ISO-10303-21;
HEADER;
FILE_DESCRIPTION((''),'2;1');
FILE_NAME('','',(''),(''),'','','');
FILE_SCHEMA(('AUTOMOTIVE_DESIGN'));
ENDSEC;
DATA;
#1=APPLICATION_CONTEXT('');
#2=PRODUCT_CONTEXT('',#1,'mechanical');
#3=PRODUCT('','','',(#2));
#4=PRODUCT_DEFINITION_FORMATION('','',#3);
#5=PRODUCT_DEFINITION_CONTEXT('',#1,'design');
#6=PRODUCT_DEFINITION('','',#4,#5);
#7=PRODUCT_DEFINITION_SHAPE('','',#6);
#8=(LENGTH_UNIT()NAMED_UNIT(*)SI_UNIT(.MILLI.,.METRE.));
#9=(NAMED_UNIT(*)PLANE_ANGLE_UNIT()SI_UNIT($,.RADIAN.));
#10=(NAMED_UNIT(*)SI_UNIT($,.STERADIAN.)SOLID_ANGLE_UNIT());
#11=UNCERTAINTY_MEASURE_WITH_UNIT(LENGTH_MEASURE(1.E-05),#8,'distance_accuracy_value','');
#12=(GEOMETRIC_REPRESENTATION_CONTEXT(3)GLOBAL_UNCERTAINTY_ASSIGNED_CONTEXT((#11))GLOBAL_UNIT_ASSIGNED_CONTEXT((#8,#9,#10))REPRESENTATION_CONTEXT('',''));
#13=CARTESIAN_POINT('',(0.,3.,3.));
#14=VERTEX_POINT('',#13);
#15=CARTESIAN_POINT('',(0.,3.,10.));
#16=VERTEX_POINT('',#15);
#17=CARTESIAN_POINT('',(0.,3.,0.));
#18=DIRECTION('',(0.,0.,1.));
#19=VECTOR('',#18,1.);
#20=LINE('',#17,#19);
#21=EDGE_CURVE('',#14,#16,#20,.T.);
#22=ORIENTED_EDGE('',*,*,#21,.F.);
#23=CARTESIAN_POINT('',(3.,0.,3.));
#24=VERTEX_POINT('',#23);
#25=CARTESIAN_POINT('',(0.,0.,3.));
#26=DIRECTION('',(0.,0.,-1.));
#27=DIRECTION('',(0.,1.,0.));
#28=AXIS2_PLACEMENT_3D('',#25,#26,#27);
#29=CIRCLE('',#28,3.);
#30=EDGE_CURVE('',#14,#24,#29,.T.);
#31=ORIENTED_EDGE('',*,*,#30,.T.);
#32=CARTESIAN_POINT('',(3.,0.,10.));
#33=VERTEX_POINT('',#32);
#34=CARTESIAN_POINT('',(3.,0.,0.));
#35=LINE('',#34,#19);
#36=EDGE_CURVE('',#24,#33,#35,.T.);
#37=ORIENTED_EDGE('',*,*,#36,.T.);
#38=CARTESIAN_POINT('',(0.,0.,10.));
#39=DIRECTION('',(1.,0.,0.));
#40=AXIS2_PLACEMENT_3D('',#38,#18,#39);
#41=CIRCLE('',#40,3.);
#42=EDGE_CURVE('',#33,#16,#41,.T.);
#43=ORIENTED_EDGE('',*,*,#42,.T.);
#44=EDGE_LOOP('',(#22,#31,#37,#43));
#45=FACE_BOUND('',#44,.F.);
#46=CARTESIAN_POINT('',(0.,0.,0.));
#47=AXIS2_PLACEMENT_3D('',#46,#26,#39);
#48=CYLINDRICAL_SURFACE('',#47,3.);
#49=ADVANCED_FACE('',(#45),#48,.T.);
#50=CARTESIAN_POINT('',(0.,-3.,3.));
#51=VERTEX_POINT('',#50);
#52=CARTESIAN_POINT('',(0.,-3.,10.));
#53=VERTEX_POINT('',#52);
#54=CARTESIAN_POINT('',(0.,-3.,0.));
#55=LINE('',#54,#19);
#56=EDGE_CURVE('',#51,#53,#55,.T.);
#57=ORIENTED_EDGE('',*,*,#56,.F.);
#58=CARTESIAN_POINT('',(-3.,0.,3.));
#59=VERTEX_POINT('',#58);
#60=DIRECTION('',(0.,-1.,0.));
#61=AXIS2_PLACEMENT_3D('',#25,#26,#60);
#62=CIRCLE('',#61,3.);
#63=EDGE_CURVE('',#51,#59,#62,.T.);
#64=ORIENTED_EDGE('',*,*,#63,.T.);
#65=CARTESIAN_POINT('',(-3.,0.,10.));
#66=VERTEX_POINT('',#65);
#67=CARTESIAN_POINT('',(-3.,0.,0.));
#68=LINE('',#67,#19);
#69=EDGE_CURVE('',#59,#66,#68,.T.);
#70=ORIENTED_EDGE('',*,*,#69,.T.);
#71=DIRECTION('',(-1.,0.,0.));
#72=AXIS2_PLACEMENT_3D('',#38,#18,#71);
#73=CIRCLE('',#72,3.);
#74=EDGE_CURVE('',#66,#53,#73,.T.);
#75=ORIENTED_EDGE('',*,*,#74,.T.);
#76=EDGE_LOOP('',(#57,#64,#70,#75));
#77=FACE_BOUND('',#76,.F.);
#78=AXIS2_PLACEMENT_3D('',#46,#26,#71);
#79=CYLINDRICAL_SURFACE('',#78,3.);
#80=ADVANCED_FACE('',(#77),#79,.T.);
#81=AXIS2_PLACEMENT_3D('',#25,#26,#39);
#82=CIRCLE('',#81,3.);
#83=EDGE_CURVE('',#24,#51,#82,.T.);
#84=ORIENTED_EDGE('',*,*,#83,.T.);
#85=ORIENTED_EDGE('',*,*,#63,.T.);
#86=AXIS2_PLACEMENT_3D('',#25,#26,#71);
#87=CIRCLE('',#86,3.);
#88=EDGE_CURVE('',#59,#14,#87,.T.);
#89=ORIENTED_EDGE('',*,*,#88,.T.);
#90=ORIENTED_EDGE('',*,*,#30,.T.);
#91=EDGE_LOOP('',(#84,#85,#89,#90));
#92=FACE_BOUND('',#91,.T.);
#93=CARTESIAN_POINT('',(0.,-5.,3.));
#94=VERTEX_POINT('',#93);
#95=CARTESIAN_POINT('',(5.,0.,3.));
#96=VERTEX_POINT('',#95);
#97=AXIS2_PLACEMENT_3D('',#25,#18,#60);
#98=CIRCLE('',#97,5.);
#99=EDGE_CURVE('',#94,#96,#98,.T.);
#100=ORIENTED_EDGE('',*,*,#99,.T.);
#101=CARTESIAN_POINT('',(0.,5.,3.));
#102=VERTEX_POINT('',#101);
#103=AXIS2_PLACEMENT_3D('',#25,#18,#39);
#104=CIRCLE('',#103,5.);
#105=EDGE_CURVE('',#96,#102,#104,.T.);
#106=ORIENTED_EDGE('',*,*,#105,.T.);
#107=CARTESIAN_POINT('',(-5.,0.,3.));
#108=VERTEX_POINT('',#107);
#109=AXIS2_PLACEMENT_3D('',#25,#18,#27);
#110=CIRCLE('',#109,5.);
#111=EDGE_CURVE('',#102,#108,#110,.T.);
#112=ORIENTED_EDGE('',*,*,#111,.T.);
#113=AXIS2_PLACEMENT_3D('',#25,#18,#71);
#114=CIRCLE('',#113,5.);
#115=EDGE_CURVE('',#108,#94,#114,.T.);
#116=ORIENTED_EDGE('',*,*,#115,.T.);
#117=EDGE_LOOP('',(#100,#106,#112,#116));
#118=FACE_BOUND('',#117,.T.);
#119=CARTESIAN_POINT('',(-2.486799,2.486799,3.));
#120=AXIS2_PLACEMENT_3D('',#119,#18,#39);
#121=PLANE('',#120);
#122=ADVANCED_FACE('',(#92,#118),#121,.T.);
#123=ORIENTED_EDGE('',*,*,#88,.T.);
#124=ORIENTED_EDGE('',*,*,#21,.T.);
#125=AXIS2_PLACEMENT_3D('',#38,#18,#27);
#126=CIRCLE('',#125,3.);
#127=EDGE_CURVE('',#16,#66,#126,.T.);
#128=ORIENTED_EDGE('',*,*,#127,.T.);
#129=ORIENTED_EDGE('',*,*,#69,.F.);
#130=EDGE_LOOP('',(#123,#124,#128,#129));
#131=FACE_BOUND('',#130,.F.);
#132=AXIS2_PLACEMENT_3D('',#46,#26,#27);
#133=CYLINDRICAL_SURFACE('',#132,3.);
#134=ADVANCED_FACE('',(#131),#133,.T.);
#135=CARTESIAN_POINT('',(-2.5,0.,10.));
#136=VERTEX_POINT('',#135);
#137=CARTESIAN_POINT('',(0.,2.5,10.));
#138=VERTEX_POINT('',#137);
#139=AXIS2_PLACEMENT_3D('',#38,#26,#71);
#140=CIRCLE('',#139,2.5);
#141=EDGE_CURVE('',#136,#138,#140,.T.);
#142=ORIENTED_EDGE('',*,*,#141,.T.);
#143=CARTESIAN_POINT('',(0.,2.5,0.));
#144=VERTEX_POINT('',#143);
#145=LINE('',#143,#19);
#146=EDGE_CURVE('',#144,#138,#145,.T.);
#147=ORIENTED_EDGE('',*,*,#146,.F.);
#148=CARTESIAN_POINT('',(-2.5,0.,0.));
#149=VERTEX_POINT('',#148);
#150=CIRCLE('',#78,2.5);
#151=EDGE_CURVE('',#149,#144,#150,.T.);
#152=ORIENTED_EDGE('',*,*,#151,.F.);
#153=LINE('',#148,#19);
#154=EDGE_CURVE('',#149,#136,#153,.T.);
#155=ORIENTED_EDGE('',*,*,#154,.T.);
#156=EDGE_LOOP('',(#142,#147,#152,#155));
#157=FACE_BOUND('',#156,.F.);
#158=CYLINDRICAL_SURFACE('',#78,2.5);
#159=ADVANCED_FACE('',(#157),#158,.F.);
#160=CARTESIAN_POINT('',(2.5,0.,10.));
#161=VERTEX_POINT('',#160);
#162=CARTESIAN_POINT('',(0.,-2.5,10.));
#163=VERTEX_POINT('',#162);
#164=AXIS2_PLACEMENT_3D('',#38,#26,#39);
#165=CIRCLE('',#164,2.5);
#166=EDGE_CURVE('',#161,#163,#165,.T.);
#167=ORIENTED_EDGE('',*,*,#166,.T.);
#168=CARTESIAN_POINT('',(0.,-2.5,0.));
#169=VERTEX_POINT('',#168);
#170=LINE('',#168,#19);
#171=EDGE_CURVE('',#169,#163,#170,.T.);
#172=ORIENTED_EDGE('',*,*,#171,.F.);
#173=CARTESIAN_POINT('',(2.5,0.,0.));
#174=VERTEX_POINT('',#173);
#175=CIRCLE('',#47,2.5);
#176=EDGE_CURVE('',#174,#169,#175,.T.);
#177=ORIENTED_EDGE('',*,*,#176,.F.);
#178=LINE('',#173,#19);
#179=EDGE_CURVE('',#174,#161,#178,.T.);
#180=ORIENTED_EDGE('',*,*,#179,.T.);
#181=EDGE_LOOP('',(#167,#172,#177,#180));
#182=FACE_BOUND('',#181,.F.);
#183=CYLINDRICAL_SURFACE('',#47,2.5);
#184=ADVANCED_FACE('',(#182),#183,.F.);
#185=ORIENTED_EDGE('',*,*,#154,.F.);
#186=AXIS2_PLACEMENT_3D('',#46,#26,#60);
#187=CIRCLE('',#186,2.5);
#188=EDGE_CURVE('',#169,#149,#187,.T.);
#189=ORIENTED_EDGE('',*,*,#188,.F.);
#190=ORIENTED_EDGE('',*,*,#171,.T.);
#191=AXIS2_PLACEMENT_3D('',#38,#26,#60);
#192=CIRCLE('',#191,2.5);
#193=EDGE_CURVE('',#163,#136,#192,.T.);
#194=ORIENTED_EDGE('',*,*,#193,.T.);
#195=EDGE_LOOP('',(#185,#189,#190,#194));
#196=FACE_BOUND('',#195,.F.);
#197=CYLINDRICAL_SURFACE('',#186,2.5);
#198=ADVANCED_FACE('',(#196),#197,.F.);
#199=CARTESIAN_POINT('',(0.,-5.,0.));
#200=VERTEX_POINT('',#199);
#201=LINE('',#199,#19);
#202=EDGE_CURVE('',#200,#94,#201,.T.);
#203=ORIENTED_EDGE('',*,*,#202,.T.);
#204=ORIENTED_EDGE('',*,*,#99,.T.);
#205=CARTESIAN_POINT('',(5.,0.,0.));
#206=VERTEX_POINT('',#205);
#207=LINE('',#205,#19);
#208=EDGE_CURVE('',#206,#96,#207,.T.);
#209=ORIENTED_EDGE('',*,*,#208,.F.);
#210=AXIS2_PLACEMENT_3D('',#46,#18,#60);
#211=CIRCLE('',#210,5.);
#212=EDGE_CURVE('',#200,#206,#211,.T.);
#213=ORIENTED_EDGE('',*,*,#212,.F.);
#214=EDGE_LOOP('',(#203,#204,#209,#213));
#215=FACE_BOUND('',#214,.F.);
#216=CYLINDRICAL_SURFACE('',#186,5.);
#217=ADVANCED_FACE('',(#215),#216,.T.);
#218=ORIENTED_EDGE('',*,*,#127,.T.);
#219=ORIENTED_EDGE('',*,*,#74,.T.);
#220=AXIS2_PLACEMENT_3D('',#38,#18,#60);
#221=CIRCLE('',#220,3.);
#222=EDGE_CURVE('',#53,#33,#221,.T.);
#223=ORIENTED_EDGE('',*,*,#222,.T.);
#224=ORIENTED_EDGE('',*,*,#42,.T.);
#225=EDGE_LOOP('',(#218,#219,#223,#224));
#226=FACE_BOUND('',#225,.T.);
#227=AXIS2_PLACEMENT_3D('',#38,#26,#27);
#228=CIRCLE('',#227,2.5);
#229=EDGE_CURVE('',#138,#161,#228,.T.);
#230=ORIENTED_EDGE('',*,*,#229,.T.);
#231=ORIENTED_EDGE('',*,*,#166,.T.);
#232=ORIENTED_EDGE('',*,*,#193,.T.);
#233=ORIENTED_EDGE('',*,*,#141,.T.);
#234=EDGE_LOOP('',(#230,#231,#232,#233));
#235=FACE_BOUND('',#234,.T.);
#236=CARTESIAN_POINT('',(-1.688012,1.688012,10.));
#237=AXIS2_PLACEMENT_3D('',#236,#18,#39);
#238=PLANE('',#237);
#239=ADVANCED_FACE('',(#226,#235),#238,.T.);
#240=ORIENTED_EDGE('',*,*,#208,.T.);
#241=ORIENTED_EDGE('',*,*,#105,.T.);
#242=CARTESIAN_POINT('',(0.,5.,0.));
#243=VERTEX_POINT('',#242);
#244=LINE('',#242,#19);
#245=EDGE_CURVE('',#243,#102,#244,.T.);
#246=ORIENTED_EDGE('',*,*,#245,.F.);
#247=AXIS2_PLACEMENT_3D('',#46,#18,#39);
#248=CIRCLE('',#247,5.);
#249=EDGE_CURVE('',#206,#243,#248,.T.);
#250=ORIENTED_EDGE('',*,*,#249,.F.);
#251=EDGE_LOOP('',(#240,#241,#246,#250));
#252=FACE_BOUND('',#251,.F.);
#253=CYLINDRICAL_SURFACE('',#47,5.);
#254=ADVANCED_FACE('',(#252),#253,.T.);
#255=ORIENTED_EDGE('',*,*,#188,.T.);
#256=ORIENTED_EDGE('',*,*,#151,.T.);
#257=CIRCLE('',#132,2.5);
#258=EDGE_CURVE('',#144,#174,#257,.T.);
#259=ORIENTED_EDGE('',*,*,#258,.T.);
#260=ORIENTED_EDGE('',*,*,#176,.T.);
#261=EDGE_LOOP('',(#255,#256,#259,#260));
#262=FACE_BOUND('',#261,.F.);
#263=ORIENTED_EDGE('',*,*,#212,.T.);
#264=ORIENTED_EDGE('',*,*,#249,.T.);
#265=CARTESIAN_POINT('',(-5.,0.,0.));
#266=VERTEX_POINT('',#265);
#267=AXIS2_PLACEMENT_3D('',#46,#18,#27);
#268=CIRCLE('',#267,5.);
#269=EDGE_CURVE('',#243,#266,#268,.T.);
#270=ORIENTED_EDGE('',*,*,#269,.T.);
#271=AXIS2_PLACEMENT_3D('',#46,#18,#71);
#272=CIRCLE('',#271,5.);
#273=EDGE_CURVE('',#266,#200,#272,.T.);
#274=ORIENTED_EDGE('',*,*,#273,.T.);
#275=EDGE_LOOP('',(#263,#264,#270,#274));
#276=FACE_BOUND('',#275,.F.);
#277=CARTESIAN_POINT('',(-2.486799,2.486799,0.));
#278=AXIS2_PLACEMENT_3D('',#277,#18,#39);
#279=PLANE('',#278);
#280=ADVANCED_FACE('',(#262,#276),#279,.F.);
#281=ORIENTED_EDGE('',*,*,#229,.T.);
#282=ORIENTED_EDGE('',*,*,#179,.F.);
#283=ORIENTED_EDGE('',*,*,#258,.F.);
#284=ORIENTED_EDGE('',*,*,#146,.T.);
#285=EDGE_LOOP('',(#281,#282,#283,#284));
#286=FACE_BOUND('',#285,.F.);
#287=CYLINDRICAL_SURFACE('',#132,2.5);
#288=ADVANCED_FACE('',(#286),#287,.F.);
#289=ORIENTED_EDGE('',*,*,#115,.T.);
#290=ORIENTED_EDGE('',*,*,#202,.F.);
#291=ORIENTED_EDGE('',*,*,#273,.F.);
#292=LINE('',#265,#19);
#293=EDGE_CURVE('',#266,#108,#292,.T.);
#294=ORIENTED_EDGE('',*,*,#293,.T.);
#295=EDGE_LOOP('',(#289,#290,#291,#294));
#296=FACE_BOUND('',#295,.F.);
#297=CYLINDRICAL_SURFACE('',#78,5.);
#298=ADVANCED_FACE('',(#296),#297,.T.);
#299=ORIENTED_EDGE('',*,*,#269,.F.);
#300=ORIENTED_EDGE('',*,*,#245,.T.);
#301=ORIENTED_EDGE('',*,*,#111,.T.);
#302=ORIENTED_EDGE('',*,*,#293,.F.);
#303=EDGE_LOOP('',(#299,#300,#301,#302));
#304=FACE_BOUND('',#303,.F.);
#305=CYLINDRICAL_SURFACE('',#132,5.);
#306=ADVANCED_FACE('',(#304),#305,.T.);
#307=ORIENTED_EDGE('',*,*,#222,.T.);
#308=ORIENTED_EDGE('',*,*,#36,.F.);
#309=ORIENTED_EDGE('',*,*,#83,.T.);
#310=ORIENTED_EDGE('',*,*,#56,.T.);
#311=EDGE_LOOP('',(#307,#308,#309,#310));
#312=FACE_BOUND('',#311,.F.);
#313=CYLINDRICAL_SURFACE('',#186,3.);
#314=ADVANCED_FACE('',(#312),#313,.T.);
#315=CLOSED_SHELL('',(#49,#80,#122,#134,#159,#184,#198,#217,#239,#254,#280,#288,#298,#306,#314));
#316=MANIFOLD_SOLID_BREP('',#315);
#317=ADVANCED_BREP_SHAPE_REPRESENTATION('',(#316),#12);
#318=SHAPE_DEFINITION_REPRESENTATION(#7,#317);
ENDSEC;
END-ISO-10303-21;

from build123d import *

# Parameters (mm, degrees)
F1_DEPTH = 10
F2_DEPTH = 3


with BuildPart() as f1:
    # F0 (on Top) → F1 (new body)
    with BuildSketch(Plane.XY):
        with BuildLine():
            Line((0, 2.5), (0, 3))
            ThreePointArc((0, 3), (-2.1213203436, 2.1213203436), (-3, 0))
            Line((-3, 0), (-2.5, 0))
            ThreePointArc((-2.5, 0), (-1.767766953, 1.767766953), (0, 2.5))
        make_face()
        with BuildLine():
            ThreePointArc((-3, 0), (-2.1213203436, -2.1213203436), (0, -3))
            Line((0, -3), (0, -2.5))
            ThreePointArc((0, -2.5), (-1.767766953, -1.767766953), (-2.5, 0))
            Line((-2.5, 0), (-3, 0))
        make_face()
        with BuildLine():
            ThreePointArc((0, -3), (2.1213203436, -2.1213203436), (3, 0))
            Line((3, 0), (2.5, 0))
            ThreePointArc((2.5, 0), (1.767766953, -1.767766953), (0, -2.5))
            Line((0, -2.5), (0, -3))
        make_face()
        with BuildLine():
            Line((2.5, 0), (3, 0))
            ThreePointArc((3, 0), (2.1213203436, 2.1213203436), (0, 3))
            Line((0, 3), (0, 2.5))
            ThreePointArc((0, 2.5), (1.767766953, 1.767766953), (2.5, 0))
        make_face()
    extrude(amount=F1_DEPTH)

    # F0 (on Top) → F2 (join)
    with BuildSketch(Plane.XY):
        with BuildLine():
            Line((0, 3), (0, 5))
            ThreePointArc((0, 5), (-3.5355339059, 3.5355339059), (-5, 0))
            Line((-5, 0), (-3, 0))
            ThreePointArc((-3, 0), (-2.1213203436, 2.1213203436), (0, 3))
        make_face()
        with BuildLine():
            ThreePointArc((0, -5), (3.5355339059, -3.5355339059), (5, 0))
            Line((5, 0), (3, 0))
            ThreePointArc((3, 0), (2.1213203436, -2.1213203436), (0, -3))
            Line((0, -3), (0, -5))
        make_face()
        with BuildLine():
            ThreePointArc((-5, 0), (-3.5355339059, -3.5355339059), (0, -5))
            Line((0, -5), (0, -3))
            ThreePointArc((0, -3), (-2.1213203436, -2.1213203436), (-3, 0))
            Line((-3, 0), (-5, 0))
        make_face()
        with BuildLine():
            Line((3, 0), (5, 0))
            ThreePointArc((5, 0), (3.5355339059, 3.5355339059), (0, 5))
            Line((0, 5), (0, 3))
            ThreePointArc((0, 3), (2.1213203436, 2.1213203436), (3, 0))
        make_face()
    extrude(amount=F2_DEPTH)


solid = f1.part
